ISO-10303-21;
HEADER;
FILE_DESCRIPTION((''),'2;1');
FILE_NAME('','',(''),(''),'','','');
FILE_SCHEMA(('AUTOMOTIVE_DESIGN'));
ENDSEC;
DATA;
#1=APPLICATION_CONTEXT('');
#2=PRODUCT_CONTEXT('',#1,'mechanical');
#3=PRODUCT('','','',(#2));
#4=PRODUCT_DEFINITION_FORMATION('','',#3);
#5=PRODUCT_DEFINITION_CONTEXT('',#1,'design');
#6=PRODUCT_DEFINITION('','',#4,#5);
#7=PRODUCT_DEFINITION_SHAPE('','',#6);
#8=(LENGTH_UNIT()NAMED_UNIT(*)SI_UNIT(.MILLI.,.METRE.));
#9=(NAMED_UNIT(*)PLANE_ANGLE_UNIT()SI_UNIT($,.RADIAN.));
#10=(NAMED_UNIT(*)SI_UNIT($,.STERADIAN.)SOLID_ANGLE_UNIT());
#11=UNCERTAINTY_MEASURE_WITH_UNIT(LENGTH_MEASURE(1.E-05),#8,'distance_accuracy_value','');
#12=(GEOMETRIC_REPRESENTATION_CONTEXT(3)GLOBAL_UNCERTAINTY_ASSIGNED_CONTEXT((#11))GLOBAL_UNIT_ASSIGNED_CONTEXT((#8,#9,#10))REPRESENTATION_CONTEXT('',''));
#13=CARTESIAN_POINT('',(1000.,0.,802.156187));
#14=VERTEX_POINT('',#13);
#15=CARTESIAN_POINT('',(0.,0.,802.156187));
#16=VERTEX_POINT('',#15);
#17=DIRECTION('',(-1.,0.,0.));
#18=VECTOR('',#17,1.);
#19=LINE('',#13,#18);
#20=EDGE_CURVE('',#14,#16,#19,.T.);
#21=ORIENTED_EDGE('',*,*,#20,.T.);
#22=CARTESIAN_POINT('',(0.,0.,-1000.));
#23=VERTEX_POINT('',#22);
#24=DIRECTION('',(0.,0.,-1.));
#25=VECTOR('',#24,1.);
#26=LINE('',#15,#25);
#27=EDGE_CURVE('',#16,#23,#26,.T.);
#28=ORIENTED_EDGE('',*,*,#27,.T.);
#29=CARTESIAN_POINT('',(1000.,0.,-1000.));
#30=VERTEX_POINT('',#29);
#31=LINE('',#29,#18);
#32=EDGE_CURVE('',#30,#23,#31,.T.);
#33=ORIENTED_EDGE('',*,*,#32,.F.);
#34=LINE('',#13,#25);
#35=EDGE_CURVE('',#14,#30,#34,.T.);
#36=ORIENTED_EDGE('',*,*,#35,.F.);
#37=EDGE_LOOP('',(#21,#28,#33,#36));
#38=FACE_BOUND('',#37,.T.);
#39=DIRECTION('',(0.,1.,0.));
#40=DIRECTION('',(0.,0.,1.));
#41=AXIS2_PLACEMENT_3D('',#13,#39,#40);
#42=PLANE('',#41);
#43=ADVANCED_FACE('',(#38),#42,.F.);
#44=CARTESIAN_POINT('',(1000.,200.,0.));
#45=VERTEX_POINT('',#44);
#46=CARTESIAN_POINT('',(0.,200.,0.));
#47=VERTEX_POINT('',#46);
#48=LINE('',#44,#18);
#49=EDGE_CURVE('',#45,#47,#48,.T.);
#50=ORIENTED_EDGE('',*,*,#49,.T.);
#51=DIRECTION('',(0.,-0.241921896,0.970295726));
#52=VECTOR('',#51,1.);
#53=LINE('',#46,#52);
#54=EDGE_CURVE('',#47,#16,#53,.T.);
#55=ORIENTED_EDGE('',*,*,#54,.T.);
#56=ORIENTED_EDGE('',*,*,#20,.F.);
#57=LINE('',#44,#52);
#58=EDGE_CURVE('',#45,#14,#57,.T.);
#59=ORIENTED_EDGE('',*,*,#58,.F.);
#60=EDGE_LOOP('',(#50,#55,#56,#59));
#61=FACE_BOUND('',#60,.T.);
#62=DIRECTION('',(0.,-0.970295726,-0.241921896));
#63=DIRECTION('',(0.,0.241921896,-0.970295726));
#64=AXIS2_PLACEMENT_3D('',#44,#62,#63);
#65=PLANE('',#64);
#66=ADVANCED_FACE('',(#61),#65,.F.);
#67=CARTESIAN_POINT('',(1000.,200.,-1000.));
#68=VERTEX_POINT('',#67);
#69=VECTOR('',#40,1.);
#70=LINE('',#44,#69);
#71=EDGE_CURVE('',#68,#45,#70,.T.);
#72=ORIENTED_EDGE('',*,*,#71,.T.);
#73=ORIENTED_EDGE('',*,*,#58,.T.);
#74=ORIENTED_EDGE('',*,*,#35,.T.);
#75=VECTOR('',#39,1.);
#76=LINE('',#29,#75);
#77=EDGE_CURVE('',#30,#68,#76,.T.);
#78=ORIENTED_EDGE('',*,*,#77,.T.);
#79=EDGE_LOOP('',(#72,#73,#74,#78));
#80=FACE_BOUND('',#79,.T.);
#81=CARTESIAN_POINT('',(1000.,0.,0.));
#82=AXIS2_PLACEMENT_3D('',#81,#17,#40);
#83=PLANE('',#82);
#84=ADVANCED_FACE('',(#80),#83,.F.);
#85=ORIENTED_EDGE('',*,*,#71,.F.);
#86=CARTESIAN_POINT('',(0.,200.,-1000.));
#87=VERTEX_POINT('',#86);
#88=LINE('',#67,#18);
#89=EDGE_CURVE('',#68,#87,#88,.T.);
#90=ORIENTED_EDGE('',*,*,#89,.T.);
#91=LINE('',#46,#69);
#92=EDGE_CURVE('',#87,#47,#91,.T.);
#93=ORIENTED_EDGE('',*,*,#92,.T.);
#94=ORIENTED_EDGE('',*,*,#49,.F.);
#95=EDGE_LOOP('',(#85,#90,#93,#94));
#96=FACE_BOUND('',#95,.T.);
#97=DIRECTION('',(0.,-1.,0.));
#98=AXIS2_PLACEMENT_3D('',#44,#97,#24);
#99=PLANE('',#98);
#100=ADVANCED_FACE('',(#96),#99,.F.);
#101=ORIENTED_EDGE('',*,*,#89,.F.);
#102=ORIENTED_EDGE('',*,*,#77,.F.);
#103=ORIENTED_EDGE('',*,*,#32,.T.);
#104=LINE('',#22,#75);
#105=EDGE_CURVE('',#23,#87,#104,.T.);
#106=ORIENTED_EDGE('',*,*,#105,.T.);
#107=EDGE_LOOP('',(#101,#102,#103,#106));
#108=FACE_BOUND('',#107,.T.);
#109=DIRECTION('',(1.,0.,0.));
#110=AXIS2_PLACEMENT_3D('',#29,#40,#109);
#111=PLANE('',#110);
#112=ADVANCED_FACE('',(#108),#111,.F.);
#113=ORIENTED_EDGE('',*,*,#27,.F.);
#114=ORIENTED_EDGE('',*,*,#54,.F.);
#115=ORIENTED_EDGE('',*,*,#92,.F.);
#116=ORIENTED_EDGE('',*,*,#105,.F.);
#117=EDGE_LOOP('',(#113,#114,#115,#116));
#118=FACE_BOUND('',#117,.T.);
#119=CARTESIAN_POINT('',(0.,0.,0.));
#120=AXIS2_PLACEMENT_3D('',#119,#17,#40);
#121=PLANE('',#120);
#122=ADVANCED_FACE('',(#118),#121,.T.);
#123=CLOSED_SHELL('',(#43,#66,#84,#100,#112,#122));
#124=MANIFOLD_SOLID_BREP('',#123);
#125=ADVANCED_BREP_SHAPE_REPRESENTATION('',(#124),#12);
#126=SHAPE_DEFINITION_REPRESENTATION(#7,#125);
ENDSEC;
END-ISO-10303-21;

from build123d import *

# Parameters (mm, degrees)
EXTRUDE_1_DEPTH = 1000


with BuildPart() as part:
    # 草图1 → 凸台-拉伸1 (new body)
    with BuildSketch(Plane(origin=(0, 0, 0), x_dir=(0, 0, -1), z_dir=(1, 0, 0))):
        Polygon((0, 200), (-802.156186707, 0), (1000, 0), (1000, 200), align=None)
    extrude(amount=EXTRUDE_1_DEPTH)


solid = part.part
